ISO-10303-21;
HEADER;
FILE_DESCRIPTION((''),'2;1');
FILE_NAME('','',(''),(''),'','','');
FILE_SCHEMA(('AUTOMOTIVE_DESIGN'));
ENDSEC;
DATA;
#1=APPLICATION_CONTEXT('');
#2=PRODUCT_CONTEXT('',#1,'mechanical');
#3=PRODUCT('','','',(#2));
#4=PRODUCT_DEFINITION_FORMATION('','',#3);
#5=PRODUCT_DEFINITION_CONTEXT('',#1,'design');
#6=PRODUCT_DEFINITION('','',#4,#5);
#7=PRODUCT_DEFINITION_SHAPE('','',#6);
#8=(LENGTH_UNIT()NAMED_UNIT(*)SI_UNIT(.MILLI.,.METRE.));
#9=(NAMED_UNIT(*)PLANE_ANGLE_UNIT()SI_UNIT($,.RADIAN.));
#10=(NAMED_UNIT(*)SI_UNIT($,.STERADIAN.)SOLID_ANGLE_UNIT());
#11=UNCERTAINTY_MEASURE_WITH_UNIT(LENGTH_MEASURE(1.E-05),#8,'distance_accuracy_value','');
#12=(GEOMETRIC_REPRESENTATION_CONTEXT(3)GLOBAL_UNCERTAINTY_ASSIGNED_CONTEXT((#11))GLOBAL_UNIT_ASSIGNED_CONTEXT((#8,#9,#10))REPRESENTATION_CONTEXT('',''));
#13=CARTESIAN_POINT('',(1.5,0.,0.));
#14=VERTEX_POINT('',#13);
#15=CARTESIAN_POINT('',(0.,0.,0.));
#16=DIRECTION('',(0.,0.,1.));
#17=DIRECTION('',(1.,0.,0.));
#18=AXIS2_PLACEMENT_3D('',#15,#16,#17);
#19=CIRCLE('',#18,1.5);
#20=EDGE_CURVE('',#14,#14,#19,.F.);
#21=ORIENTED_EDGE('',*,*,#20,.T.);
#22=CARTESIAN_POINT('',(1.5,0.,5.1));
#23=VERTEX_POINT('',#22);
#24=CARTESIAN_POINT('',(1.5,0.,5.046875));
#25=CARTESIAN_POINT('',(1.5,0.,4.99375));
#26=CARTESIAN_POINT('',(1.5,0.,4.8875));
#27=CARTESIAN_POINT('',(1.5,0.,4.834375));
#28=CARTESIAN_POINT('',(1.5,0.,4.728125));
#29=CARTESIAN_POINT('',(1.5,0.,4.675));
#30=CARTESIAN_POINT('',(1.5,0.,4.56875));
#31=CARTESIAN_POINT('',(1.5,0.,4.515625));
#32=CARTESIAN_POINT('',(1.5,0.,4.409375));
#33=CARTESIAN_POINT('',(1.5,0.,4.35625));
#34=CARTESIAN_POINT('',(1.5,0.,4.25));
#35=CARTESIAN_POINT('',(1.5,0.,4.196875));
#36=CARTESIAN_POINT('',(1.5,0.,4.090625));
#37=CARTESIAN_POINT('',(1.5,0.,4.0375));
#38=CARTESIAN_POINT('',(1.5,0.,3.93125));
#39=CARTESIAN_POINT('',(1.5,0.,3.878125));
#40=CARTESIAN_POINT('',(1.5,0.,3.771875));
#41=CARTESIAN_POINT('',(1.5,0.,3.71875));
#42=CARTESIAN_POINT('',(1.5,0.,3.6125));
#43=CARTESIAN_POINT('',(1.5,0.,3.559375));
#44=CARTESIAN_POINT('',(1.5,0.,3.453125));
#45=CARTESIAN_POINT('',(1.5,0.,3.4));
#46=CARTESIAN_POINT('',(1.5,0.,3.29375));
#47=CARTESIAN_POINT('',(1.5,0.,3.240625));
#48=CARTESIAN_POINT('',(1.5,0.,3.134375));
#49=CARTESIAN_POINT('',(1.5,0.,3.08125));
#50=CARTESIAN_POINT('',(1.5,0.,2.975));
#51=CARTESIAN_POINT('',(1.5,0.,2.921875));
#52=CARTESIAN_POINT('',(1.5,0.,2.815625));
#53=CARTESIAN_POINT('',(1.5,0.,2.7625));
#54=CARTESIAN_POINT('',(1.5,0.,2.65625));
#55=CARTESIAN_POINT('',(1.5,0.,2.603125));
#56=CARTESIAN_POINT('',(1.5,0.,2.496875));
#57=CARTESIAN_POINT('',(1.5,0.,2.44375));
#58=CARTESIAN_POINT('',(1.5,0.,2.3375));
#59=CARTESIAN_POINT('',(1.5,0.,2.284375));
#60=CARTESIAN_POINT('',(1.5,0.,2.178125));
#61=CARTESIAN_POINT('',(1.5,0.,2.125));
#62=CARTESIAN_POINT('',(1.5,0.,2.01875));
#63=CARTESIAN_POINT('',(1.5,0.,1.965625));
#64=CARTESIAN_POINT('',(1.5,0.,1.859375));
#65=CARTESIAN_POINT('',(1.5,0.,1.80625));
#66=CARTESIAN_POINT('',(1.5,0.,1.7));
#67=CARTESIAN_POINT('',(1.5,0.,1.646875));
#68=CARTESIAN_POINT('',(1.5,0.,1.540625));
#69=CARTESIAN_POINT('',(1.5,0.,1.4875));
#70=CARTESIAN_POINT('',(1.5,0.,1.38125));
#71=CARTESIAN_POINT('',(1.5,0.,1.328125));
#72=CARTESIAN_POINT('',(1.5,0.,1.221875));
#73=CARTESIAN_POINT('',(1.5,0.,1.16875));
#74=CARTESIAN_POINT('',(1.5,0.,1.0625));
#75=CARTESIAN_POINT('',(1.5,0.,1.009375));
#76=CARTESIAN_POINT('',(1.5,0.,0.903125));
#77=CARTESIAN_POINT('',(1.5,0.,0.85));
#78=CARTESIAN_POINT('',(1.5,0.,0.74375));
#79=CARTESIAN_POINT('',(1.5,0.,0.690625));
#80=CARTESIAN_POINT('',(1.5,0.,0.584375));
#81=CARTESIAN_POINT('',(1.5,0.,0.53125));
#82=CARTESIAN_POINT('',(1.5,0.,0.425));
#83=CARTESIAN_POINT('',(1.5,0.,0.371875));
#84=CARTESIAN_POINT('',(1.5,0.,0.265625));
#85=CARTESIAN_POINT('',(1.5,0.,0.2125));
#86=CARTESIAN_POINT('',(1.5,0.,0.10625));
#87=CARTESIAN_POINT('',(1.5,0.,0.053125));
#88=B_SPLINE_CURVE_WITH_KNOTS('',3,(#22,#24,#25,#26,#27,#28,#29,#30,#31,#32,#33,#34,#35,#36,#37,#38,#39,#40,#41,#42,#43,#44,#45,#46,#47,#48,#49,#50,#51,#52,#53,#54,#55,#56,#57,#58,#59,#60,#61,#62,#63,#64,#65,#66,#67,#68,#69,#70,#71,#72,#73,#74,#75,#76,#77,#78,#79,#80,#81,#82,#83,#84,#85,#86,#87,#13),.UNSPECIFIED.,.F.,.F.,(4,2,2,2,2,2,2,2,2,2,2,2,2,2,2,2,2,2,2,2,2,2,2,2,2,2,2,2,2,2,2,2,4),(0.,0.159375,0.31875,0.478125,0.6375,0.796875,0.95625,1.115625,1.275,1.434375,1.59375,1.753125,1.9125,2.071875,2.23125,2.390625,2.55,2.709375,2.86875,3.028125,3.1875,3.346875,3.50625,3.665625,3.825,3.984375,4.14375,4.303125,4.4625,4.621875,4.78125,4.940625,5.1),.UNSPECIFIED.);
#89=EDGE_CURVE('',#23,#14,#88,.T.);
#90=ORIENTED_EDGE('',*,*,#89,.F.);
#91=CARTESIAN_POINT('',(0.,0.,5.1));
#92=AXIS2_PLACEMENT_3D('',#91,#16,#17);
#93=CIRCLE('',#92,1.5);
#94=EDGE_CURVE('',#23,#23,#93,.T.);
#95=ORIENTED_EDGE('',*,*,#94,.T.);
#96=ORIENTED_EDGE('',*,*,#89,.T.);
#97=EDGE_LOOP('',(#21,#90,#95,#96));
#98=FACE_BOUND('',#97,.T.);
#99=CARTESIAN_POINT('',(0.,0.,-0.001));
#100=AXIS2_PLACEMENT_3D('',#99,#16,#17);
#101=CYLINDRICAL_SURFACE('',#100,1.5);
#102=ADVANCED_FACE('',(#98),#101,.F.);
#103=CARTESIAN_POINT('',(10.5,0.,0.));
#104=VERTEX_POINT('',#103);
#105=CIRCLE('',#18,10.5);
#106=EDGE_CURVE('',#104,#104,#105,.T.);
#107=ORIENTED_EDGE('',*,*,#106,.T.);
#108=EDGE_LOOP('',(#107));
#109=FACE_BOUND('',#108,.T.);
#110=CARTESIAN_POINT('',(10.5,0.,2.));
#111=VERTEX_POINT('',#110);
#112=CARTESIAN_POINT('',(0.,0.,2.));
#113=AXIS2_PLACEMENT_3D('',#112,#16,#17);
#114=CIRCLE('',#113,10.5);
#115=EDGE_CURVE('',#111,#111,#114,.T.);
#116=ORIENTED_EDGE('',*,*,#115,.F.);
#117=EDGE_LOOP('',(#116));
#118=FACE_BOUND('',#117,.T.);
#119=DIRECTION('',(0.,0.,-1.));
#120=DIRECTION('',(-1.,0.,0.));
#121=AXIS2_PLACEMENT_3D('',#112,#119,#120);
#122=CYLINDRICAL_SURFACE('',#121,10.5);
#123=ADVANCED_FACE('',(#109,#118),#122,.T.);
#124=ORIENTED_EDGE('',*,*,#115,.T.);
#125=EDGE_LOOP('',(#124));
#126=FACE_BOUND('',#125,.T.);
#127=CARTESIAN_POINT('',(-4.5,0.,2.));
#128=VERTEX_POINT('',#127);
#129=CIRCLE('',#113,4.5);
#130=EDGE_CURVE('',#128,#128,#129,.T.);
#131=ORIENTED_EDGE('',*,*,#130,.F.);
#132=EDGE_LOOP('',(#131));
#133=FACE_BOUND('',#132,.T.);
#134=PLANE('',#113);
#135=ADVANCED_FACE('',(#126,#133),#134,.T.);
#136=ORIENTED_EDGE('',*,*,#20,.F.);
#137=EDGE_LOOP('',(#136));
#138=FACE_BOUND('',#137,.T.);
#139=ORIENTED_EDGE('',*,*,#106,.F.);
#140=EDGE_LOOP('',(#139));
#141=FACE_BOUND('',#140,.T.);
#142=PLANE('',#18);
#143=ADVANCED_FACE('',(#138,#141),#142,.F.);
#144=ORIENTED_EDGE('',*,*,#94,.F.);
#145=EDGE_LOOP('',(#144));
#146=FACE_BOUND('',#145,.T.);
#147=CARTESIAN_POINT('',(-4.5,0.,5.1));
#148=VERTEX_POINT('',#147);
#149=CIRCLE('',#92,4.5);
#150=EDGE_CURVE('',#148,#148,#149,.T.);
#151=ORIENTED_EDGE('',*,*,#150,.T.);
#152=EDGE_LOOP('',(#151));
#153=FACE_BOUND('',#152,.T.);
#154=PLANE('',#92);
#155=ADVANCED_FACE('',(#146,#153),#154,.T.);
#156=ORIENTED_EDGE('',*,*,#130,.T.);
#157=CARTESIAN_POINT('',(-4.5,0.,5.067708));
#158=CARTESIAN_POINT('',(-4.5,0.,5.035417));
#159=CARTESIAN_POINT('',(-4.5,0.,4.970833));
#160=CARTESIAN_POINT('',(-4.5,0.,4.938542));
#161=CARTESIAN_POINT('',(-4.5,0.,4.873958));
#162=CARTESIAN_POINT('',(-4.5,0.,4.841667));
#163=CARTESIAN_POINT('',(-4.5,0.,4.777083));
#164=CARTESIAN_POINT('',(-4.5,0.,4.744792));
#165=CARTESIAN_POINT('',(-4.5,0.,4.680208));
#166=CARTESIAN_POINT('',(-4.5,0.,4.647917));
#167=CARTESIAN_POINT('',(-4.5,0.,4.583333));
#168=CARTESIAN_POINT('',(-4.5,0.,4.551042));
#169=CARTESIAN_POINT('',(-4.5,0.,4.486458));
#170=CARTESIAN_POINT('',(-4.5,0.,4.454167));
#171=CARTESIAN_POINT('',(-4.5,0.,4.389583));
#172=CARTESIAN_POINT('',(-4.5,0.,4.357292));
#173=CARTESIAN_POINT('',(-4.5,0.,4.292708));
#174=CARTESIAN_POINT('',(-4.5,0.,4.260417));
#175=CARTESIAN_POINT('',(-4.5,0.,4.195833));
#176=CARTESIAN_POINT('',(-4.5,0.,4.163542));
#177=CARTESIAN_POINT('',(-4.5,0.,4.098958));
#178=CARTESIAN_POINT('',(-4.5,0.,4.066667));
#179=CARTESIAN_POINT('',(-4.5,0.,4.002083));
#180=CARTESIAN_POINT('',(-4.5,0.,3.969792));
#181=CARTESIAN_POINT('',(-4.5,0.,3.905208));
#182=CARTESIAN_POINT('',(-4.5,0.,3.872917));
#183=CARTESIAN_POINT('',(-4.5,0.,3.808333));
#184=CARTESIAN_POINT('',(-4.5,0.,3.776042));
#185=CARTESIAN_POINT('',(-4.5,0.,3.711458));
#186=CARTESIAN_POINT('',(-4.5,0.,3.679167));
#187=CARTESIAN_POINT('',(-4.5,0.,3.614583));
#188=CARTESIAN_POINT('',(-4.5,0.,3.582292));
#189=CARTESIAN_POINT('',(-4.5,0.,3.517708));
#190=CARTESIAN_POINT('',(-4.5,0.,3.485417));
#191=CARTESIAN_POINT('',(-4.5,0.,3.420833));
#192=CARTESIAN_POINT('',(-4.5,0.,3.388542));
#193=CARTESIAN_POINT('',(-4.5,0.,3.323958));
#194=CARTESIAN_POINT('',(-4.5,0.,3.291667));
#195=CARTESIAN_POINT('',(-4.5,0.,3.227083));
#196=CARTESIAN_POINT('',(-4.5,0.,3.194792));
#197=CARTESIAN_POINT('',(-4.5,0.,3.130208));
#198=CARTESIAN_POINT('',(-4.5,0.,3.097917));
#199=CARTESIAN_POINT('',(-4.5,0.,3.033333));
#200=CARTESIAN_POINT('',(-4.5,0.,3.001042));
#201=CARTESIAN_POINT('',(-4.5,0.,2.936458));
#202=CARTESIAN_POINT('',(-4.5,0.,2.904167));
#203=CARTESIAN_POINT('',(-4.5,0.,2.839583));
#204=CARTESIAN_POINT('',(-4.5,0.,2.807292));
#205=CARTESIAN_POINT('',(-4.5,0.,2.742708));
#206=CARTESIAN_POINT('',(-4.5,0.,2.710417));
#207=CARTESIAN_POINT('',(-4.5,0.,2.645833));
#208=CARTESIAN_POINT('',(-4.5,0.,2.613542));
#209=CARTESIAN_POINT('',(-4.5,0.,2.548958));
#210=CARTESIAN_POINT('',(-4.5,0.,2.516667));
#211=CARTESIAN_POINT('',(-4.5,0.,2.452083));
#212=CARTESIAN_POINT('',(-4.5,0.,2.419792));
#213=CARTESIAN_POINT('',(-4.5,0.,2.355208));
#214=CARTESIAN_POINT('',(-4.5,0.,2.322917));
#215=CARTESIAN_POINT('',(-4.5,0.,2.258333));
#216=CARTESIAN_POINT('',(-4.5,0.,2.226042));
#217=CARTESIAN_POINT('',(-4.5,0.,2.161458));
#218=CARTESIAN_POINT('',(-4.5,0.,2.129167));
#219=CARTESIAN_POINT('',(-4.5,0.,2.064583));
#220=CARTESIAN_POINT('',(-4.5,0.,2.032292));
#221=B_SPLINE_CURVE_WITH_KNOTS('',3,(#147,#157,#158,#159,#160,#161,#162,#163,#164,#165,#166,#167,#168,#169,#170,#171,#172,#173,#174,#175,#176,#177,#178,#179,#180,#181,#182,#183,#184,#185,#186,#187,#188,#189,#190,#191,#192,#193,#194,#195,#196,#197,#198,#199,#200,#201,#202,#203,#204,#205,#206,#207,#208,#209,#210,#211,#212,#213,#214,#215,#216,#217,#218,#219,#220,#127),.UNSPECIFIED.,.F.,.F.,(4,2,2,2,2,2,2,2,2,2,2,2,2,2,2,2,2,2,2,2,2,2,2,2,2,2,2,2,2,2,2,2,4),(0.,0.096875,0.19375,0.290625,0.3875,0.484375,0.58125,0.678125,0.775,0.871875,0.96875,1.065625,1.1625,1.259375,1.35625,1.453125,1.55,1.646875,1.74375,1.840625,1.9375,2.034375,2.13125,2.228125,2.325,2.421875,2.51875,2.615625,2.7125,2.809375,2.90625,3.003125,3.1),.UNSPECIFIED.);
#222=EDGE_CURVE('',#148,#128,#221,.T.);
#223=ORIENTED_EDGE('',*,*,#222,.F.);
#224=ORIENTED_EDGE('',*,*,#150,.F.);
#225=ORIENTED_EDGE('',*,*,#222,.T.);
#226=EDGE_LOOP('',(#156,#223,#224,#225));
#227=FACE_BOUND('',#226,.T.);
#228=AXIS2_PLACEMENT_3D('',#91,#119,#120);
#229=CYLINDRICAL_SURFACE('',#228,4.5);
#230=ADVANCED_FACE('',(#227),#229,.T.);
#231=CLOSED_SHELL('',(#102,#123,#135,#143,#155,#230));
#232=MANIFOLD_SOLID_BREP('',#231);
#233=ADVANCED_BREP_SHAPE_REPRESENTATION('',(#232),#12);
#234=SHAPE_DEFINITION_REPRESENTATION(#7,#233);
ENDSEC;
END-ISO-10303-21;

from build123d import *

# Parameters (mm, degrees)
CROQUIS1_R              = 10.5
SALIENTE_EXTRUIR1_DEPTH = 2
CROQUIS2_R              = 4.5
SALIENTE_EXTRUIR2_DEPTH = 3.1
CORTAR_EXTRUIR1_REACH   = 17.701
CROQUIS3_R              = 1.5


with BuildPart() as part:
    # Croquis1 → Saliente-Extruir1 (new body)
    with BuildSketch(Plane.XY):
        Circle(CROQUIS1_R)
    extrude(amount=SALIENTE_EXTRUIR1_DEPTH)

    # Croquis2 → Saliente-Extruir2 (add)
    with BuildSketch(Plane.XY.offset(2)):
        with Locations(Location((0, 0, 0), (0, 0, 180))):
            Circle(CROQUIS2_R)
    extrude(amount=SALIENTE_EXTRUIR2_DEPTH)

    # Croquis3 → Cortar-Extruir1 (cut, up to next)
    with BuildSketch(Plane.XY.offset(5.1), mode=Mode.PRIVATE) as cortar_extruir1_sk1:
        Circle(CROQUIS3_R)
    cortar_extruir1_tool1 = extrude(cortar_extruir1_sk1.sketch, amount=-CORTAR_EXTRUIR1_REACH, mode=Mode.PRIVATE) & part.part
    add(cortar_extruir1_tool1.solids().sort_by_distance((0, 0, 5.1))[0], mode=Mode.SUBTRACT)


solid = part.part
